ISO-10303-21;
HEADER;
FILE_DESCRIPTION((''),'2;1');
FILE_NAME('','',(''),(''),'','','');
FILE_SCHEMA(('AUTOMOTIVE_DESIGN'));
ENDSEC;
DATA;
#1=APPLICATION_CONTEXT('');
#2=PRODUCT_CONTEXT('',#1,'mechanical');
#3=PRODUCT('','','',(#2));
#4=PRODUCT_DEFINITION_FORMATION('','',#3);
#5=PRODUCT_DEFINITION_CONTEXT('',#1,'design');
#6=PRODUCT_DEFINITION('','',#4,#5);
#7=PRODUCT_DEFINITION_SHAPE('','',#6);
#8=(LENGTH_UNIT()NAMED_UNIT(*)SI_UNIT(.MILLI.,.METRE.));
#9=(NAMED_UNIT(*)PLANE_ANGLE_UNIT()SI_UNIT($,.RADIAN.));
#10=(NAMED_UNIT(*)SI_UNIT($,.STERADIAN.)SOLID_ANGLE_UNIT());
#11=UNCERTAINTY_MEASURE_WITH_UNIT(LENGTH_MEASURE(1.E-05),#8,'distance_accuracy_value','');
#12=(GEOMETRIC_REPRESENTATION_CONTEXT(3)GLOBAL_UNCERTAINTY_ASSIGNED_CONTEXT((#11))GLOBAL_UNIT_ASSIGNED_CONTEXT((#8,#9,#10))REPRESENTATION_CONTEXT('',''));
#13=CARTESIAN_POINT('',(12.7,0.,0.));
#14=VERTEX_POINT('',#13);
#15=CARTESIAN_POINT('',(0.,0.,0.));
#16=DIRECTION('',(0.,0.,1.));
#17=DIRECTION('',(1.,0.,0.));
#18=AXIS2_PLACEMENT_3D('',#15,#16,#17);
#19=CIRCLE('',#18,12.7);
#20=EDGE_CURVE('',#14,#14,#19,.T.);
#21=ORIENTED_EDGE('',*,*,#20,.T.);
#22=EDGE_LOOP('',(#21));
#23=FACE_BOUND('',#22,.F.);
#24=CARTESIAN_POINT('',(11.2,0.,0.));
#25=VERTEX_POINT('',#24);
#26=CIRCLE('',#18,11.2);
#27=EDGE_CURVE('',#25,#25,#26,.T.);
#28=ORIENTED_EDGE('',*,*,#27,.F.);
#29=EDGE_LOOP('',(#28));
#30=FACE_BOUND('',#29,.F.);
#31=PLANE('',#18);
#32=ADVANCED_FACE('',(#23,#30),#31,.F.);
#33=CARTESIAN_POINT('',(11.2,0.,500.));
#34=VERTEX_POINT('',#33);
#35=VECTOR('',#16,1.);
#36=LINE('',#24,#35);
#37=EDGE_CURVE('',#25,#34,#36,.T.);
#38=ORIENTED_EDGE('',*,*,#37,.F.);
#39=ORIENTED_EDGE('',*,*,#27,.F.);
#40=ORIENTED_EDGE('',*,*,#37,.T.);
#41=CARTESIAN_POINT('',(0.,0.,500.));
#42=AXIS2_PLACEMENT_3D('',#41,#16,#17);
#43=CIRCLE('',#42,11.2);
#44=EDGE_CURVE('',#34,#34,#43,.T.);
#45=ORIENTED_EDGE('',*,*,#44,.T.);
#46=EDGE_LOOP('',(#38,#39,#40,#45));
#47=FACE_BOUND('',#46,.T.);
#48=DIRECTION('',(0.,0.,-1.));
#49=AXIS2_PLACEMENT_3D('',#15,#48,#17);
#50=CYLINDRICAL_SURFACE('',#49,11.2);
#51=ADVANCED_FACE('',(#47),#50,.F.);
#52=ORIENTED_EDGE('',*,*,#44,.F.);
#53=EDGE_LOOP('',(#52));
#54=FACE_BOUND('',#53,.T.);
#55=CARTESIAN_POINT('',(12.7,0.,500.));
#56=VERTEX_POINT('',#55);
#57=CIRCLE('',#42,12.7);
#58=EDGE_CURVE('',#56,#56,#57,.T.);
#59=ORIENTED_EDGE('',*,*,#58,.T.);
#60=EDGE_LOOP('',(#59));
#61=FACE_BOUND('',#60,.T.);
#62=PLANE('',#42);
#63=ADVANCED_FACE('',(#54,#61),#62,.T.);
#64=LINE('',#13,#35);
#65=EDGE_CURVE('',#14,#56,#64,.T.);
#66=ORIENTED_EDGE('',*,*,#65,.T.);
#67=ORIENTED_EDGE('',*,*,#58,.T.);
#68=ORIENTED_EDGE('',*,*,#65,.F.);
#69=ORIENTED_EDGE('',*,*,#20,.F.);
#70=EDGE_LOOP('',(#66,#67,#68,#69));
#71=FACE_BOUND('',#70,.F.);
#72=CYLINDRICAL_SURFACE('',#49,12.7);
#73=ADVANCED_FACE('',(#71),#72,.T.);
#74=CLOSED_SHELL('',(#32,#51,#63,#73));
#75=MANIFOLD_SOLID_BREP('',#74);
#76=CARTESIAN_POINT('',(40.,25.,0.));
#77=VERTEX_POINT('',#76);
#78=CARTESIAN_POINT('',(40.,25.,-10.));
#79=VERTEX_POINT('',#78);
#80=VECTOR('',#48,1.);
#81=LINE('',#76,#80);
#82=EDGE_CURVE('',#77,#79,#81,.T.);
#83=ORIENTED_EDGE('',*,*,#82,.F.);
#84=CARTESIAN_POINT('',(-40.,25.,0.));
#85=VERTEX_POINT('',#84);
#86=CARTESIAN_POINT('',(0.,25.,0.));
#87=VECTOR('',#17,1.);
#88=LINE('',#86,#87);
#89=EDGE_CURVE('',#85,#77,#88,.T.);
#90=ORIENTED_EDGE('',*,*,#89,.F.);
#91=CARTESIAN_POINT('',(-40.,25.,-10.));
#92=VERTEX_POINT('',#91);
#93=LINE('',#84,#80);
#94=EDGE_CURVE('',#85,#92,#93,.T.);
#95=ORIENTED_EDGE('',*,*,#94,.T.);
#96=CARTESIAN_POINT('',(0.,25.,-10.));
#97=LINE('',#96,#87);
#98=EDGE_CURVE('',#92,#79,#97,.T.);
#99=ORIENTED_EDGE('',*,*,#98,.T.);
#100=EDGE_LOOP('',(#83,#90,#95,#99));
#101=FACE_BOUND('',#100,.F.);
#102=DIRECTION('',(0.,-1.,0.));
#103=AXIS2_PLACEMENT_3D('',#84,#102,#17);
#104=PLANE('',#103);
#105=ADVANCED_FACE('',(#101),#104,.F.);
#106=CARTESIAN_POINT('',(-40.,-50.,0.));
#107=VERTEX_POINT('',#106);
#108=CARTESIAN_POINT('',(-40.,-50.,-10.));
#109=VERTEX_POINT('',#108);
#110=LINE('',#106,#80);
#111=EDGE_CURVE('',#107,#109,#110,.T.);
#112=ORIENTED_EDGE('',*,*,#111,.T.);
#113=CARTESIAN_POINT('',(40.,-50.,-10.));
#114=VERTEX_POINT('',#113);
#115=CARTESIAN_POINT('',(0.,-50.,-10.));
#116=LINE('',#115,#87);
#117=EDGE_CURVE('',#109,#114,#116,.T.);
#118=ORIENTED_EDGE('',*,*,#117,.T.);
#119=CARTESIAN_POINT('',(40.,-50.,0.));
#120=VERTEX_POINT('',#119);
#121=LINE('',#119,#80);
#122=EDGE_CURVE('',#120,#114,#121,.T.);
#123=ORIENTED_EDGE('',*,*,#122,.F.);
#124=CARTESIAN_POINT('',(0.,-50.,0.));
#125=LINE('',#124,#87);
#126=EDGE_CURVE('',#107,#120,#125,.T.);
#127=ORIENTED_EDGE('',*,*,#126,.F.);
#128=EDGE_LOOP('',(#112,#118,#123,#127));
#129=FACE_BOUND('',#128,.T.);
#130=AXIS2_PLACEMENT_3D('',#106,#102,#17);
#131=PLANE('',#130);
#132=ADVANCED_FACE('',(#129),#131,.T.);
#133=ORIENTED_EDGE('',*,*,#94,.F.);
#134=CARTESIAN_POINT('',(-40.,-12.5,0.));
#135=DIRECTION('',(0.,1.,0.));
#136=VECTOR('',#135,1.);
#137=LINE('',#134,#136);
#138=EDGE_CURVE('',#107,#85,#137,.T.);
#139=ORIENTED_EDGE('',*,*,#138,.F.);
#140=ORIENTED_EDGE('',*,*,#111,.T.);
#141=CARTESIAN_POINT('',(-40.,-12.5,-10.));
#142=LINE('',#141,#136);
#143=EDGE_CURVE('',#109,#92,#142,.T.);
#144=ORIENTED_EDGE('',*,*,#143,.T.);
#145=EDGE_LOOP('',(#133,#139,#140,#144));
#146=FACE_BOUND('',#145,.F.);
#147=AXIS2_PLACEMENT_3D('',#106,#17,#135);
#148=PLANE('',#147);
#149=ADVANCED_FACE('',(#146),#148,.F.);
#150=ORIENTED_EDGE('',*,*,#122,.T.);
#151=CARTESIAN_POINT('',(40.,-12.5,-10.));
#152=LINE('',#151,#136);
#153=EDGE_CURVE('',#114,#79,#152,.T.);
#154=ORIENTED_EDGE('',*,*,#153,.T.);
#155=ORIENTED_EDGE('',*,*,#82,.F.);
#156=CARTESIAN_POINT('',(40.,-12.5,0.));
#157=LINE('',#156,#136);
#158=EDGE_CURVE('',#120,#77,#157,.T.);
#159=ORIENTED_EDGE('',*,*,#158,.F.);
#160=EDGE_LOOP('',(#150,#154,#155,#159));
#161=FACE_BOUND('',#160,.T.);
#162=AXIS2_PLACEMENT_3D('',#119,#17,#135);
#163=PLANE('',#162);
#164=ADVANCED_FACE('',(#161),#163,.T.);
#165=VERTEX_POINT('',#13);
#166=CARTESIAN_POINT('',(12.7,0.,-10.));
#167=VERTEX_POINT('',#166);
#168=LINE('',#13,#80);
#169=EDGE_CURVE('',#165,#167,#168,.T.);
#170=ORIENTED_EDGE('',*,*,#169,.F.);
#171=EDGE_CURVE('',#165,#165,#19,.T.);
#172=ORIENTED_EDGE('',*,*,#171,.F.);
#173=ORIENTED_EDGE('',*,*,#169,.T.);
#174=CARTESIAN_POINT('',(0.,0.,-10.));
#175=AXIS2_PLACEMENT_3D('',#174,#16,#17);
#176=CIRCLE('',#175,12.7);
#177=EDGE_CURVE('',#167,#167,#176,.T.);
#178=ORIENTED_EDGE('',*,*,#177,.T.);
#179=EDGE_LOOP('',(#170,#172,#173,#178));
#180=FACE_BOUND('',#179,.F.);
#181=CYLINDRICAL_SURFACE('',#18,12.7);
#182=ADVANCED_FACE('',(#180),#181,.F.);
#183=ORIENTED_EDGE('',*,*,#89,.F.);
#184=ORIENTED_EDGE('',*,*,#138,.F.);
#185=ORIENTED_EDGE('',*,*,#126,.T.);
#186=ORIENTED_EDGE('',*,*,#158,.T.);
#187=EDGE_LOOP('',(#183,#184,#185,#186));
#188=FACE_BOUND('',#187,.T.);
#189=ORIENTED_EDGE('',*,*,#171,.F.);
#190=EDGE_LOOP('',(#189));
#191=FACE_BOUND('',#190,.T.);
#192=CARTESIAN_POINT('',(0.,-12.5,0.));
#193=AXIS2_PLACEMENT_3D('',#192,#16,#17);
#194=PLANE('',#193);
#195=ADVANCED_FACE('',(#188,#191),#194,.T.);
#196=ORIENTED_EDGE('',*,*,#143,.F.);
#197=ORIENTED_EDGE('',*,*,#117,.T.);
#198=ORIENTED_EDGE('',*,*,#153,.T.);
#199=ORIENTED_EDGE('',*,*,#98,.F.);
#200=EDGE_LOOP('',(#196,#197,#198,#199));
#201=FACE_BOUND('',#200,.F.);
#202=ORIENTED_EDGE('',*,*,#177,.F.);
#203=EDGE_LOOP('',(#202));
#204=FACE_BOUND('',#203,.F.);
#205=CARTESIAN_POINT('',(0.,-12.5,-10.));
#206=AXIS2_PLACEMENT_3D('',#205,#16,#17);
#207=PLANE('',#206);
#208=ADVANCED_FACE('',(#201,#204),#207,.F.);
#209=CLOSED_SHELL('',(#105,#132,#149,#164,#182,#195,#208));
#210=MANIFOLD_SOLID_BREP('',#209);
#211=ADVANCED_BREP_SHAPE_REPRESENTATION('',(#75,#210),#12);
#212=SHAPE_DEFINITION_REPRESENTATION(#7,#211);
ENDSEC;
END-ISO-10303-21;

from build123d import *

# Parameters (mm, degrees)
F0_R     = 12.7
F0_R_2   = 11.2
F1_DEPTH = 500
F2_W     = 80
F2_H     = 75
F2_R     = 12.7
F3_DEPTH = 10


with BuildPart() as f1:
    # F0 (on Top) → F1 (new body)
    with BuildSketch(Plane.XY):
        Circle(F0_R)
        Circle(F0_R_2, mode=Mode.SUBTRACT)
    extrude(amount=F1_DEPTH)


with BuildPart() as f3:
    # F2 (on Top) → F3 (new body)
    with BuildSketch(Plane.XY):
        with Locations((0, -12.5)):
            Rectangle(F2_W, F2_H)
        Circle(F2_R, mode=Mode.SUBTRACT)
    extrude(amount=-F3_DEPTH)


solid = Compound([f1.part, f3.part])
